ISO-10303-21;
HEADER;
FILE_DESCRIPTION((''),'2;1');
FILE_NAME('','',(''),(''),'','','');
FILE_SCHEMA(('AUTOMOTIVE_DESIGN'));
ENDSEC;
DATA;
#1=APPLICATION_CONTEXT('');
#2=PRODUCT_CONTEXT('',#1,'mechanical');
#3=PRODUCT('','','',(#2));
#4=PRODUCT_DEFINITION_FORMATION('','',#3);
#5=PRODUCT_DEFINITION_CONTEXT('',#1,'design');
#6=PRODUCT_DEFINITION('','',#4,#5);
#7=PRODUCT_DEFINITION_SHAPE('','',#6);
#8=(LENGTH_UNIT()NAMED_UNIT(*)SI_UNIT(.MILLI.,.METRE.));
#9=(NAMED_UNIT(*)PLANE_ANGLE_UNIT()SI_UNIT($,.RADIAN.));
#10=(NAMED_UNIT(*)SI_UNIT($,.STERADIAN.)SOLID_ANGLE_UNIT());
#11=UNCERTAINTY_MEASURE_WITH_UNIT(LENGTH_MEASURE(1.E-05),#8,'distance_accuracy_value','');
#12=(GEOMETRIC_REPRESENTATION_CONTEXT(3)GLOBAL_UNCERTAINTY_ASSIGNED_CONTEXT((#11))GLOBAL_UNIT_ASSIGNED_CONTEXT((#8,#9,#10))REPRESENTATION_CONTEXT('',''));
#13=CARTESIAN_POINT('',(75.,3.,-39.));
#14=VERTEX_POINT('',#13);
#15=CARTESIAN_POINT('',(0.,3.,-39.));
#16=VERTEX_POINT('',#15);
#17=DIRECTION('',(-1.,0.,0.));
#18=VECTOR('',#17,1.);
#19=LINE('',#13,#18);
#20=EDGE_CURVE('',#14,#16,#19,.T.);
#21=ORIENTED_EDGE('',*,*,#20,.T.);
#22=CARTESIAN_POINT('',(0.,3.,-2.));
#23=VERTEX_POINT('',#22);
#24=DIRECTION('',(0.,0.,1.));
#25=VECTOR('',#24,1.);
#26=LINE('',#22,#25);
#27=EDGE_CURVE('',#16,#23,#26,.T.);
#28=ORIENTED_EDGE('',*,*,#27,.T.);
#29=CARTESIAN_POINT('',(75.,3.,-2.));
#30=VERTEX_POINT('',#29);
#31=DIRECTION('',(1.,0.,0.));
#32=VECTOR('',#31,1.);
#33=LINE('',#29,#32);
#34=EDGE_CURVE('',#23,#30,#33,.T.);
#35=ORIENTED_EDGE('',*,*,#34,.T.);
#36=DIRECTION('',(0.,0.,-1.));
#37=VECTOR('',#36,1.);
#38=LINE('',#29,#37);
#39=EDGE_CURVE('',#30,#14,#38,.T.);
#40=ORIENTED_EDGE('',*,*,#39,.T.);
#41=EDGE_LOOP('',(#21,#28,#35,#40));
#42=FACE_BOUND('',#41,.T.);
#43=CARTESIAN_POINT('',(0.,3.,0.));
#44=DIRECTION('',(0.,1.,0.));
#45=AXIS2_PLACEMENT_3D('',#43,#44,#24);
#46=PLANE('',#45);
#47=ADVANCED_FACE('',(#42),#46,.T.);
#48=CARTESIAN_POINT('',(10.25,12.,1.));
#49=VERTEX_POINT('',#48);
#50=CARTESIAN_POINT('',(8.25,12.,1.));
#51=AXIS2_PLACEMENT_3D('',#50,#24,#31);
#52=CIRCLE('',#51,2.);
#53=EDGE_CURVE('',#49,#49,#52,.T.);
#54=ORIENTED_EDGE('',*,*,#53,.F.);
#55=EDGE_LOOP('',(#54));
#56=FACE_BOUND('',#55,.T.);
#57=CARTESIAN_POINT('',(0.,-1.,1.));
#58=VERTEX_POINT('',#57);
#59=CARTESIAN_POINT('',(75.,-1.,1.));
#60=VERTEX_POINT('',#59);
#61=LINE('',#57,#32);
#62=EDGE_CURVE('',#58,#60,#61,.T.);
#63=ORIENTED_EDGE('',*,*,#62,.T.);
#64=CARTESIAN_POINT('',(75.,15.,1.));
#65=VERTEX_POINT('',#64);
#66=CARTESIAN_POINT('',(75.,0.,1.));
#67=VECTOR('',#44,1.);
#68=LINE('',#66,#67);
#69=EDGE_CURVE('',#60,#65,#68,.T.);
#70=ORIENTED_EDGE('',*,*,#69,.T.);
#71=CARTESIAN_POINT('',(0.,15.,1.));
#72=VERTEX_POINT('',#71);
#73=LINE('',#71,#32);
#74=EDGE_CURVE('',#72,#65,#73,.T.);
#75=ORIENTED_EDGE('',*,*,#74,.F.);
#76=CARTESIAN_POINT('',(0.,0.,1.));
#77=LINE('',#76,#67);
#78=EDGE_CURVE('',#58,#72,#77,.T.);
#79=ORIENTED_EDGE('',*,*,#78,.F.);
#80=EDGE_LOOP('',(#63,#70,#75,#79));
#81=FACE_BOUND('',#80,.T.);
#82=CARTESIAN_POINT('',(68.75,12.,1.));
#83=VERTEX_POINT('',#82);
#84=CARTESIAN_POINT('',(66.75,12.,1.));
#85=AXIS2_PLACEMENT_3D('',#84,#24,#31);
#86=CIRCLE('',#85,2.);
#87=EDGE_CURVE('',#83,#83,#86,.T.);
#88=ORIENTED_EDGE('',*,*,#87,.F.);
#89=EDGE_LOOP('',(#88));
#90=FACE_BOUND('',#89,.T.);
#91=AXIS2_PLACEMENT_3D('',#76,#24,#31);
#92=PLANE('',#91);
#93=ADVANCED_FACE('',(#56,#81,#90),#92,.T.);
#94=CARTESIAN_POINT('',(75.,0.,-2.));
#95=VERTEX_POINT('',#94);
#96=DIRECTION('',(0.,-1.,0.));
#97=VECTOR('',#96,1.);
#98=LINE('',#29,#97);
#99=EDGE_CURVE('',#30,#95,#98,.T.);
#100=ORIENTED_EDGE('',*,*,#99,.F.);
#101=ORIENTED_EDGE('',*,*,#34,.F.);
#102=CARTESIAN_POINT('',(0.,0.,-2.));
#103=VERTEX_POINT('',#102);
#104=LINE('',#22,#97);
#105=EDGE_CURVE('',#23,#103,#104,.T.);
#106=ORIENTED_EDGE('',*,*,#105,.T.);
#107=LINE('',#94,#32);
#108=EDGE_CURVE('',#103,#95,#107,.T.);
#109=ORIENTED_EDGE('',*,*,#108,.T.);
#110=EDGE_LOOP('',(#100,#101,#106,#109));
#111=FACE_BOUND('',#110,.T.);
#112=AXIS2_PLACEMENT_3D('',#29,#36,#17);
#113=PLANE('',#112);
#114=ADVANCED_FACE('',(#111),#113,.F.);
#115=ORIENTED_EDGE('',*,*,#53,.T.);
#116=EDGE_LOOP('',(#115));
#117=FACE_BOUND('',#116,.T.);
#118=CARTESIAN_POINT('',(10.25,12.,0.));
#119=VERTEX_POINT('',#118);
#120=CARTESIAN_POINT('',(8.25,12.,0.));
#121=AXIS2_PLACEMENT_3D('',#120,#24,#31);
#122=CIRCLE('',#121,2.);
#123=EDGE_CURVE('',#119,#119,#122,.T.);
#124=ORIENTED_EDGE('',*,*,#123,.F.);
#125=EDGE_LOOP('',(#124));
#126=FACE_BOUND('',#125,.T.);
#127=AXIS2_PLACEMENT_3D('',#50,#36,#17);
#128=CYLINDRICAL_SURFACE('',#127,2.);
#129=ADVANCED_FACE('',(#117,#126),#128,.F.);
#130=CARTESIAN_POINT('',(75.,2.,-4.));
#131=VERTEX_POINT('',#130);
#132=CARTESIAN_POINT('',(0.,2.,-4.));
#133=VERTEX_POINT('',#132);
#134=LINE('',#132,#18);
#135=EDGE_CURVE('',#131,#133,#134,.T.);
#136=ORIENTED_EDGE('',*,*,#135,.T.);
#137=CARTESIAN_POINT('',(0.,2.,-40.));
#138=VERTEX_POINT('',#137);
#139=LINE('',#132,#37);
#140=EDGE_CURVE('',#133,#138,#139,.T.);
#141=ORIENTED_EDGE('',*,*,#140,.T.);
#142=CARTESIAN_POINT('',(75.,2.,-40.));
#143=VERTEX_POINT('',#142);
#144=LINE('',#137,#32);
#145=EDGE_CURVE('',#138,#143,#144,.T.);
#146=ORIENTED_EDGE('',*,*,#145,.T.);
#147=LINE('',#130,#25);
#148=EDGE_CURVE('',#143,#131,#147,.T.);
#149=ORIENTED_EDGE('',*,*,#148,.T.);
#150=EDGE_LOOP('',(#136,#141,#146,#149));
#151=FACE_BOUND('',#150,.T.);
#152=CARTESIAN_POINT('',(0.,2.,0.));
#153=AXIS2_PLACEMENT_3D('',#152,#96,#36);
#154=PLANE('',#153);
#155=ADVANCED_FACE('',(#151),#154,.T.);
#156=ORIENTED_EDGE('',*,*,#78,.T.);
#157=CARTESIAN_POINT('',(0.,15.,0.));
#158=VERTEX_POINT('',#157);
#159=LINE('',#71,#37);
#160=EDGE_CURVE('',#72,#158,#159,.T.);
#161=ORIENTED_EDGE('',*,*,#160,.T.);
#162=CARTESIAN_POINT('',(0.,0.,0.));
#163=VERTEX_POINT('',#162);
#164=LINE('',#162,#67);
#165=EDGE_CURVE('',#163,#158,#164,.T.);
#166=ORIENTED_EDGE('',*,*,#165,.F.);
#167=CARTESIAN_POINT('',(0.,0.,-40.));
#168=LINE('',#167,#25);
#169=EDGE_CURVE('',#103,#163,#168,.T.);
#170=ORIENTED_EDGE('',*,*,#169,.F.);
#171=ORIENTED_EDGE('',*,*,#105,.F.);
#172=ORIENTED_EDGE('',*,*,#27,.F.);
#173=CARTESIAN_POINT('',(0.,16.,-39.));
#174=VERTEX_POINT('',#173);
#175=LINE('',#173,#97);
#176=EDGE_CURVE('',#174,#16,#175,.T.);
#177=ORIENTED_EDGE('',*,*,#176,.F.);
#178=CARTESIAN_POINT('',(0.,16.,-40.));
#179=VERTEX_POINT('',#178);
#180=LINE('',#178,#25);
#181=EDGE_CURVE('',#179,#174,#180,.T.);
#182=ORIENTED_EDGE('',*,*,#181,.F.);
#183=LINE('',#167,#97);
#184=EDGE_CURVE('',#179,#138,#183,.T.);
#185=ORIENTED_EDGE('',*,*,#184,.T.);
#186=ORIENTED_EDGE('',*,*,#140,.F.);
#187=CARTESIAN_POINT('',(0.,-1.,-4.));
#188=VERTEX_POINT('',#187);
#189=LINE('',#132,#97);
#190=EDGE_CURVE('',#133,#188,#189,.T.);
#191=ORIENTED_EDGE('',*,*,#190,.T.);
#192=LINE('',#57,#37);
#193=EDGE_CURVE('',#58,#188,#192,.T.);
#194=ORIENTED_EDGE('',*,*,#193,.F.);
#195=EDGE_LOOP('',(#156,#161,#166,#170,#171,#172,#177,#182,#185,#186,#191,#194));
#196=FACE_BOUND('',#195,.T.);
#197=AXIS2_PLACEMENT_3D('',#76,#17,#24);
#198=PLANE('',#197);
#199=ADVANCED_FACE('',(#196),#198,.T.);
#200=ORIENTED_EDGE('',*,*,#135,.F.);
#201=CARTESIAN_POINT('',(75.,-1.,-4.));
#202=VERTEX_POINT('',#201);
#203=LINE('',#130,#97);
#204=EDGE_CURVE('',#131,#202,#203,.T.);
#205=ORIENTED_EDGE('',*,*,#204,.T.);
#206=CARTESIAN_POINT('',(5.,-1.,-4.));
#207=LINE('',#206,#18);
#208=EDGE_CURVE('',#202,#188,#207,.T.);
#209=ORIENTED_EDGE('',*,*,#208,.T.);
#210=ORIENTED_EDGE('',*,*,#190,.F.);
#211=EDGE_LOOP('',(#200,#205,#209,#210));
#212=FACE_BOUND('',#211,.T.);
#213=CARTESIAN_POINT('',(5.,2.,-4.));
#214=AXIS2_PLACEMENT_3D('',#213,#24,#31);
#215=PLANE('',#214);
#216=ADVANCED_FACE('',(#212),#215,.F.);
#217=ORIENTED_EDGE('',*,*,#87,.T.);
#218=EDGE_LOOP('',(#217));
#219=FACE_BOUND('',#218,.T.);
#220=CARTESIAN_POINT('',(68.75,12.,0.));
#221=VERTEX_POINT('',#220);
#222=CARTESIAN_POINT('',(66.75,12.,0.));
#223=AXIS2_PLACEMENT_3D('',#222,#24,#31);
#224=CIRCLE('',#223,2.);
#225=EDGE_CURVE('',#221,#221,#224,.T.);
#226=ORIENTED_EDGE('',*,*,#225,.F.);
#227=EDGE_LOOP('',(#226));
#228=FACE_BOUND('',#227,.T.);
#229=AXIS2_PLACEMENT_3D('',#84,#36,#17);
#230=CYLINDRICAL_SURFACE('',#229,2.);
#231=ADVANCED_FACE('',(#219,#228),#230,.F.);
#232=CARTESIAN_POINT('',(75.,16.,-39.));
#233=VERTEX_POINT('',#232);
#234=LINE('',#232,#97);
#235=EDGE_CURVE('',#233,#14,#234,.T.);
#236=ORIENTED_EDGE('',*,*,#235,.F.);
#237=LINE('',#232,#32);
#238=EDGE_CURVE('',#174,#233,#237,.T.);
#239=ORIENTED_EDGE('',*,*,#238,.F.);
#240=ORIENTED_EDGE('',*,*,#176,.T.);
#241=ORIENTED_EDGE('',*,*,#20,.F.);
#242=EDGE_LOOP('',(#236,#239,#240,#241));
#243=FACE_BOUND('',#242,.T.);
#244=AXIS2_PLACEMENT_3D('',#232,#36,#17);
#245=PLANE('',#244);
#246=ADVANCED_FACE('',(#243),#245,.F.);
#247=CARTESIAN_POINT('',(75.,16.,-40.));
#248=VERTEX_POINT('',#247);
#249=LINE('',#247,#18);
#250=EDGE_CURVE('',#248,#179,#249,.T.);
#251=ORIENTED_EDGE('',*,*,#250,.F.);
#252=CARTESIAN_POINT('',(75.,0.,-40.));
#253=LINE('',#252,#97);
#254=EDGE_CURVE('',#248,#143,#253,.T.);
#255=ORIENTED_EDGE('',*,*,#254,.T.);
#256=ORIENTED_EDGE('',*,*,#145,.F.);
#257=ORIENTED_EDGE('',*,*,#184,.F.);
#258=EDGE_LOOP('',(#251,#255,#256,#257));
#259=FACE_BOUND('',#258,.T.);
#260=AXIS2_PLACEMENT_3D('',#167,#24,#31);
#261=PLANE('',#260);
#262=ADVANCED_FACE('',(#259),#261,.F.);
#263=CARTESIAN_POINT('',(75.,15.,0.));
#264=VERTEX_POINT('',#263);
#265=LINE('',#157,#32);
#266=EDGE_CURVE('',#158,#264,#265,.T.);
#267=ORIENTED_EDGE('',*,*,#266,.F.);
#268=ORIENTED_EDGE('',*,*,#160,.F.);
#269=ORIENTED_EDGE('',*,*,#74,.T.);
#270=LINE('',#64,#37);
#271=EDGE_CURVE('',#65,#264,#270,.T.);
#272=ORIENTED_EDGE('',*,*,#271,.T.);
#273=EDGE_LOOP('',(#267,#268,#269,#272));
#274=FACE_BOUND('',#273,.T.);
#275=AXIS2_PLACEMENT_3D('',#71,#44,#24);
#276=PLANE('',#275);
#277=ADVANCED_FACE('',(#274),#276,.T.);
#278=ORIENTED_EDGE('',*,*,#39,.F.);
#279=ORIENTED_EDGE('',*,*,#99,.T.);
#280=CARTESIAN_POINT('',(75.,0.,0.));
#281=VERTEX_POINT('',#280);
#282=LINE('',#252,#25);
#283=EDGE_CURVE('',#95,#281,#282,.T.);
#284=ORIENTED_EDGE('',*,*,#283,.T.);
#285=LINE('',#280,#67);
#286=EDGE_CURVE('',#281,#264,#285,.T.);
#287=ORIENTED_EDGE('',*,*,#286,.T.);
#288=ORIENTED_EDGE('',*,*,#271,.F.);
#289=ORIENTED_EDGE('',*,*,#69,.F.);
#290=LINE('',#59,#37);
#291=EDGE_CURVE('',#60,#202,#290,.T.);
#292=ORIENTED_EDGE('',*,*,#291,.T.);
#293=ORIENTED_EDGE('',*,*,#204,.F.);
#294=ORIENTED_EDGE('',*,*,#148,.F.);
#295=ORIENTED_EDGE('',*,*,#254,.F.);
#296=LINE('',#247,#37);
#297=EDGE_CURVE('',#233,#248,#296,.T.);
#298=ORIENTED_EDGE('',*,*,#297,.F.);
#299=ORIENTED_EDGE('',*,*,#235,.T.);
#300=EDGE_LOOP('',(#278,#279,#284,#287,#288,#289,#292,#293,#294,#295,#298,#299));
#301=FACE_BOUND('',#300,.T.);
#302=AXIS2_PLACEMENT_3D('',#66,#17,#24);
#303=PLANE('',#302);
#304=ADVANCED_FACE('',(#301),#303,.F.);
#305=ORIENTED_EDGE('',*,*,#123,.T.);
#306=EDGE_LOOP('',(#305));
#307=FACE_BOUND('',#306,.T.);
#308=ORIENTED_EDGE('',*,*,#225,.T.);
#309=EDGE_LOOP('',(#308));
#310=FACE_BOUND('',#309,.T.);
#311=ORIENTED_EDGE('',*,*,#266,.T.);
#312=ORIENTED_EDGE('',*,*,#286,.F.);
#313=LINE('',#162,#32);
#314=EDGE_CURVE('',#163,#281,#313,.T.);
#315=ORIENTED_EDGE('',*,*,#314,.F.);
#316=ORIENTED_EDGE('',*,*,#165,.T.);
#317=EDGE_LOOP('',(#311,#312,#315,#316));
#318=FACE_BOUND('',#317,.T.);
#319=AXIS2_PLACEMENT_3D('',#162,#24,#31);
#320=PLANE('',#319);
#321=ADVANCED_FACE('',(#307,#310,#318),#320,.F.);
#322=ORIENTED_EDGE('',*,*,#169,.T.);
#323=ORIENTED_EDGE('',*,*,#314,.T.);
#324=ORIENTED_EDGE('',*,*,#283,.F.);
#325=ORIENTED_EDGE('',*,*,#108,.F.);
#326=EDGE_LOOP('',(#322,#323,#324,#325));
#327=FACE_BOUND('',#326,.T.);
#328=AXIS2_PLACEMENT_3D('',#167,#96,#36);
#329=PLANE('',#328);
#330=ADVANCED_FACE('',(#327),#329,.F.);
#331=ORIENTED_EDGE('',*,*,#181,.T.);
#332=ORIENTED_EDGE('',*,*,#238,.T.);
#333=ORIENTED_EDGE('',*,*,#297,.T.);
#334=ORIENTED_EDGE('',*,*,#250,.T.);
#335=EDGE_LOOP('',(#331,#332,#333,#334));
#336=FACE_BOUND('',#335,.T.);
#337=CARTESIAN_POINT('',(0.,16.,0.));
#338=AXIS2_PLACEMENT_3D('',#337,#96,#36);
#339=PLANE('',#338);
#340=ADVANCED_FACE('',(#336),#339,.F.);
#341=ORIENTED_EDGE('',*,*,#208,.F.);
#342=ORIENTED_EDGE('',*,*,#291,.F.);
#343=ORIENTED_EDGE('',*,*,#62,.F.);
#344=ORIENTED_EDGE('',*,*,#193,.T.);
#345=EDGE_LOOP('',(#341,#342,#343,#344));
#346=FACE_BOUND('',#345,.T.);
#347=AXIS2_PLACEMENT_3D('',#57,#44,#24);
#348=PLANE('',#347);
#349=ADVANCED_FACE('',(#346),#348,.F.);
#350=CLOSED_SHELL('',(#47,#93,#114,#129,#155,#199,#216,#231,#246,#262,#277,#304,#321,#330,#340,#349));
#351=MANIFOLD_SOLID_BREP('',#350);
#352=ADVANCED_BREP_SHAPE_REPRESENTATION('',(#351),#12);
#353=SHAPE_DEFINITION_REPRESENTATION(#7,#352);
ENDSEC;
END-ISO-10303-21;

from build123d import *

# Parameters (mm, degrees)
ESQUISSE1_W             = 75
ESQUISSE1_H             = 16
ESQUISSE1_R             = 2
BOSS_EXTRU_1_DEPTH      = 1
ESQUISSE1_3_W           = 75
ESQUISSE1_3_H           = 1
BOSS_EXTRU_2_DEPTH      = 40
ESQUISSE2_W             = 75
ESQUISSE2_H             = 1
BOSS_EXTRU_3_DEPTH      = 16
ESQUISSE3_W             = 65
ESQUISSE3_H             = 33
ENL_V_MAT_EXTRU_1_DEPTH = 3
ESQUISSE4_W             = 75
ESQUISSE4_H             = 37
BOSS_EXTRU_4_DEPTH      = 3
ESQUISSE5_W             = 75
ESQUISSE5_H             = 36
ENL_V_MAT_EXTRU_2_DEPTH = 3


with BuildPart() as part:
    # Esquisse1 → Boss.-Extru.1 (new body)
    with BuildSketch(Plane.XY):
        with Locations((37.5, 7)):
            Rectangle(ESQUISSE1_W, ESQUISSE1_H)
        with Locations((8.25, 12)):
            Circle(ESQUISSE1_R, mode=Mode.SUBTRACT)
        with Locations((66.75, 12)):
            Circle(ESQUISSE1_R, mode=Mode.SUBTRACT)
    extrude(amount=BOSS_EXTRU_1_DEPTH)

    # Esquisse1<3> → Boss.-Extru.2 (add)
    with BuildSketch(Plane.XY):
        with Locations((37.5, -0.5)):
            Rectangle(ESQUISSE1_3_W, ESQUISSE1_3_H)
    extrude(amount=-BOSS_EXTRU_2_DEPTH)

    # Esquisse2 → Boss.-Extru.3 (add)
    with BuildSketch(Plane(origin=(0, 0, 0), x_dir=(1, 0, 0), z_dir=(0, 1, 0))):
        with Locations((37.5, 39.5)):
            Rectangle(ESQUISSE2_W, ESQUISSE2_H)
    extrude(amount=BOSS_EXTRU_3_DEPTH)

    # Esquisse3 → Enlèv. mat.-Extru.1 (cut)
    with BuildSketch(Plane.XZ.offset(1)):
        with Locations((37.5, -20.5)):
            Rectangle(ESQUISSE3_W, ESQUISSE3_H)
    extrude(amount=-ENL_V_MAT_EXTRU_1_DEPTH, mode=Mode.SUBTRACT)

    # Esquisse4 → Boss.-Extru.4 (add)
    with BuildSketch(Plane(origin=(0, 0, 0), x_dir=(1, 0, 0), z_dir=(0, 1, 0))):
        with Locations((37.5, 20.5)):
            Rectangle(ESQUISSE4_W, ESQUISSE4_H)
    extrude(amount=BOSS_EXTRU_4_DEPTH)

    # Esquisse5 → Enlèv. mat.-Extru.2 (cut)
    with BuildSketch(Plane.XZ.offset(1)):
        with Locations((37.5, -22)):
            Rectangle(ESQUISSE5_W, ESQUISSE5_H)
    extrude(amount=-ENL_V_MAT_EXTRU_2_DEPTH, mode=Mode.SUBTRACT)


solid = part.part
